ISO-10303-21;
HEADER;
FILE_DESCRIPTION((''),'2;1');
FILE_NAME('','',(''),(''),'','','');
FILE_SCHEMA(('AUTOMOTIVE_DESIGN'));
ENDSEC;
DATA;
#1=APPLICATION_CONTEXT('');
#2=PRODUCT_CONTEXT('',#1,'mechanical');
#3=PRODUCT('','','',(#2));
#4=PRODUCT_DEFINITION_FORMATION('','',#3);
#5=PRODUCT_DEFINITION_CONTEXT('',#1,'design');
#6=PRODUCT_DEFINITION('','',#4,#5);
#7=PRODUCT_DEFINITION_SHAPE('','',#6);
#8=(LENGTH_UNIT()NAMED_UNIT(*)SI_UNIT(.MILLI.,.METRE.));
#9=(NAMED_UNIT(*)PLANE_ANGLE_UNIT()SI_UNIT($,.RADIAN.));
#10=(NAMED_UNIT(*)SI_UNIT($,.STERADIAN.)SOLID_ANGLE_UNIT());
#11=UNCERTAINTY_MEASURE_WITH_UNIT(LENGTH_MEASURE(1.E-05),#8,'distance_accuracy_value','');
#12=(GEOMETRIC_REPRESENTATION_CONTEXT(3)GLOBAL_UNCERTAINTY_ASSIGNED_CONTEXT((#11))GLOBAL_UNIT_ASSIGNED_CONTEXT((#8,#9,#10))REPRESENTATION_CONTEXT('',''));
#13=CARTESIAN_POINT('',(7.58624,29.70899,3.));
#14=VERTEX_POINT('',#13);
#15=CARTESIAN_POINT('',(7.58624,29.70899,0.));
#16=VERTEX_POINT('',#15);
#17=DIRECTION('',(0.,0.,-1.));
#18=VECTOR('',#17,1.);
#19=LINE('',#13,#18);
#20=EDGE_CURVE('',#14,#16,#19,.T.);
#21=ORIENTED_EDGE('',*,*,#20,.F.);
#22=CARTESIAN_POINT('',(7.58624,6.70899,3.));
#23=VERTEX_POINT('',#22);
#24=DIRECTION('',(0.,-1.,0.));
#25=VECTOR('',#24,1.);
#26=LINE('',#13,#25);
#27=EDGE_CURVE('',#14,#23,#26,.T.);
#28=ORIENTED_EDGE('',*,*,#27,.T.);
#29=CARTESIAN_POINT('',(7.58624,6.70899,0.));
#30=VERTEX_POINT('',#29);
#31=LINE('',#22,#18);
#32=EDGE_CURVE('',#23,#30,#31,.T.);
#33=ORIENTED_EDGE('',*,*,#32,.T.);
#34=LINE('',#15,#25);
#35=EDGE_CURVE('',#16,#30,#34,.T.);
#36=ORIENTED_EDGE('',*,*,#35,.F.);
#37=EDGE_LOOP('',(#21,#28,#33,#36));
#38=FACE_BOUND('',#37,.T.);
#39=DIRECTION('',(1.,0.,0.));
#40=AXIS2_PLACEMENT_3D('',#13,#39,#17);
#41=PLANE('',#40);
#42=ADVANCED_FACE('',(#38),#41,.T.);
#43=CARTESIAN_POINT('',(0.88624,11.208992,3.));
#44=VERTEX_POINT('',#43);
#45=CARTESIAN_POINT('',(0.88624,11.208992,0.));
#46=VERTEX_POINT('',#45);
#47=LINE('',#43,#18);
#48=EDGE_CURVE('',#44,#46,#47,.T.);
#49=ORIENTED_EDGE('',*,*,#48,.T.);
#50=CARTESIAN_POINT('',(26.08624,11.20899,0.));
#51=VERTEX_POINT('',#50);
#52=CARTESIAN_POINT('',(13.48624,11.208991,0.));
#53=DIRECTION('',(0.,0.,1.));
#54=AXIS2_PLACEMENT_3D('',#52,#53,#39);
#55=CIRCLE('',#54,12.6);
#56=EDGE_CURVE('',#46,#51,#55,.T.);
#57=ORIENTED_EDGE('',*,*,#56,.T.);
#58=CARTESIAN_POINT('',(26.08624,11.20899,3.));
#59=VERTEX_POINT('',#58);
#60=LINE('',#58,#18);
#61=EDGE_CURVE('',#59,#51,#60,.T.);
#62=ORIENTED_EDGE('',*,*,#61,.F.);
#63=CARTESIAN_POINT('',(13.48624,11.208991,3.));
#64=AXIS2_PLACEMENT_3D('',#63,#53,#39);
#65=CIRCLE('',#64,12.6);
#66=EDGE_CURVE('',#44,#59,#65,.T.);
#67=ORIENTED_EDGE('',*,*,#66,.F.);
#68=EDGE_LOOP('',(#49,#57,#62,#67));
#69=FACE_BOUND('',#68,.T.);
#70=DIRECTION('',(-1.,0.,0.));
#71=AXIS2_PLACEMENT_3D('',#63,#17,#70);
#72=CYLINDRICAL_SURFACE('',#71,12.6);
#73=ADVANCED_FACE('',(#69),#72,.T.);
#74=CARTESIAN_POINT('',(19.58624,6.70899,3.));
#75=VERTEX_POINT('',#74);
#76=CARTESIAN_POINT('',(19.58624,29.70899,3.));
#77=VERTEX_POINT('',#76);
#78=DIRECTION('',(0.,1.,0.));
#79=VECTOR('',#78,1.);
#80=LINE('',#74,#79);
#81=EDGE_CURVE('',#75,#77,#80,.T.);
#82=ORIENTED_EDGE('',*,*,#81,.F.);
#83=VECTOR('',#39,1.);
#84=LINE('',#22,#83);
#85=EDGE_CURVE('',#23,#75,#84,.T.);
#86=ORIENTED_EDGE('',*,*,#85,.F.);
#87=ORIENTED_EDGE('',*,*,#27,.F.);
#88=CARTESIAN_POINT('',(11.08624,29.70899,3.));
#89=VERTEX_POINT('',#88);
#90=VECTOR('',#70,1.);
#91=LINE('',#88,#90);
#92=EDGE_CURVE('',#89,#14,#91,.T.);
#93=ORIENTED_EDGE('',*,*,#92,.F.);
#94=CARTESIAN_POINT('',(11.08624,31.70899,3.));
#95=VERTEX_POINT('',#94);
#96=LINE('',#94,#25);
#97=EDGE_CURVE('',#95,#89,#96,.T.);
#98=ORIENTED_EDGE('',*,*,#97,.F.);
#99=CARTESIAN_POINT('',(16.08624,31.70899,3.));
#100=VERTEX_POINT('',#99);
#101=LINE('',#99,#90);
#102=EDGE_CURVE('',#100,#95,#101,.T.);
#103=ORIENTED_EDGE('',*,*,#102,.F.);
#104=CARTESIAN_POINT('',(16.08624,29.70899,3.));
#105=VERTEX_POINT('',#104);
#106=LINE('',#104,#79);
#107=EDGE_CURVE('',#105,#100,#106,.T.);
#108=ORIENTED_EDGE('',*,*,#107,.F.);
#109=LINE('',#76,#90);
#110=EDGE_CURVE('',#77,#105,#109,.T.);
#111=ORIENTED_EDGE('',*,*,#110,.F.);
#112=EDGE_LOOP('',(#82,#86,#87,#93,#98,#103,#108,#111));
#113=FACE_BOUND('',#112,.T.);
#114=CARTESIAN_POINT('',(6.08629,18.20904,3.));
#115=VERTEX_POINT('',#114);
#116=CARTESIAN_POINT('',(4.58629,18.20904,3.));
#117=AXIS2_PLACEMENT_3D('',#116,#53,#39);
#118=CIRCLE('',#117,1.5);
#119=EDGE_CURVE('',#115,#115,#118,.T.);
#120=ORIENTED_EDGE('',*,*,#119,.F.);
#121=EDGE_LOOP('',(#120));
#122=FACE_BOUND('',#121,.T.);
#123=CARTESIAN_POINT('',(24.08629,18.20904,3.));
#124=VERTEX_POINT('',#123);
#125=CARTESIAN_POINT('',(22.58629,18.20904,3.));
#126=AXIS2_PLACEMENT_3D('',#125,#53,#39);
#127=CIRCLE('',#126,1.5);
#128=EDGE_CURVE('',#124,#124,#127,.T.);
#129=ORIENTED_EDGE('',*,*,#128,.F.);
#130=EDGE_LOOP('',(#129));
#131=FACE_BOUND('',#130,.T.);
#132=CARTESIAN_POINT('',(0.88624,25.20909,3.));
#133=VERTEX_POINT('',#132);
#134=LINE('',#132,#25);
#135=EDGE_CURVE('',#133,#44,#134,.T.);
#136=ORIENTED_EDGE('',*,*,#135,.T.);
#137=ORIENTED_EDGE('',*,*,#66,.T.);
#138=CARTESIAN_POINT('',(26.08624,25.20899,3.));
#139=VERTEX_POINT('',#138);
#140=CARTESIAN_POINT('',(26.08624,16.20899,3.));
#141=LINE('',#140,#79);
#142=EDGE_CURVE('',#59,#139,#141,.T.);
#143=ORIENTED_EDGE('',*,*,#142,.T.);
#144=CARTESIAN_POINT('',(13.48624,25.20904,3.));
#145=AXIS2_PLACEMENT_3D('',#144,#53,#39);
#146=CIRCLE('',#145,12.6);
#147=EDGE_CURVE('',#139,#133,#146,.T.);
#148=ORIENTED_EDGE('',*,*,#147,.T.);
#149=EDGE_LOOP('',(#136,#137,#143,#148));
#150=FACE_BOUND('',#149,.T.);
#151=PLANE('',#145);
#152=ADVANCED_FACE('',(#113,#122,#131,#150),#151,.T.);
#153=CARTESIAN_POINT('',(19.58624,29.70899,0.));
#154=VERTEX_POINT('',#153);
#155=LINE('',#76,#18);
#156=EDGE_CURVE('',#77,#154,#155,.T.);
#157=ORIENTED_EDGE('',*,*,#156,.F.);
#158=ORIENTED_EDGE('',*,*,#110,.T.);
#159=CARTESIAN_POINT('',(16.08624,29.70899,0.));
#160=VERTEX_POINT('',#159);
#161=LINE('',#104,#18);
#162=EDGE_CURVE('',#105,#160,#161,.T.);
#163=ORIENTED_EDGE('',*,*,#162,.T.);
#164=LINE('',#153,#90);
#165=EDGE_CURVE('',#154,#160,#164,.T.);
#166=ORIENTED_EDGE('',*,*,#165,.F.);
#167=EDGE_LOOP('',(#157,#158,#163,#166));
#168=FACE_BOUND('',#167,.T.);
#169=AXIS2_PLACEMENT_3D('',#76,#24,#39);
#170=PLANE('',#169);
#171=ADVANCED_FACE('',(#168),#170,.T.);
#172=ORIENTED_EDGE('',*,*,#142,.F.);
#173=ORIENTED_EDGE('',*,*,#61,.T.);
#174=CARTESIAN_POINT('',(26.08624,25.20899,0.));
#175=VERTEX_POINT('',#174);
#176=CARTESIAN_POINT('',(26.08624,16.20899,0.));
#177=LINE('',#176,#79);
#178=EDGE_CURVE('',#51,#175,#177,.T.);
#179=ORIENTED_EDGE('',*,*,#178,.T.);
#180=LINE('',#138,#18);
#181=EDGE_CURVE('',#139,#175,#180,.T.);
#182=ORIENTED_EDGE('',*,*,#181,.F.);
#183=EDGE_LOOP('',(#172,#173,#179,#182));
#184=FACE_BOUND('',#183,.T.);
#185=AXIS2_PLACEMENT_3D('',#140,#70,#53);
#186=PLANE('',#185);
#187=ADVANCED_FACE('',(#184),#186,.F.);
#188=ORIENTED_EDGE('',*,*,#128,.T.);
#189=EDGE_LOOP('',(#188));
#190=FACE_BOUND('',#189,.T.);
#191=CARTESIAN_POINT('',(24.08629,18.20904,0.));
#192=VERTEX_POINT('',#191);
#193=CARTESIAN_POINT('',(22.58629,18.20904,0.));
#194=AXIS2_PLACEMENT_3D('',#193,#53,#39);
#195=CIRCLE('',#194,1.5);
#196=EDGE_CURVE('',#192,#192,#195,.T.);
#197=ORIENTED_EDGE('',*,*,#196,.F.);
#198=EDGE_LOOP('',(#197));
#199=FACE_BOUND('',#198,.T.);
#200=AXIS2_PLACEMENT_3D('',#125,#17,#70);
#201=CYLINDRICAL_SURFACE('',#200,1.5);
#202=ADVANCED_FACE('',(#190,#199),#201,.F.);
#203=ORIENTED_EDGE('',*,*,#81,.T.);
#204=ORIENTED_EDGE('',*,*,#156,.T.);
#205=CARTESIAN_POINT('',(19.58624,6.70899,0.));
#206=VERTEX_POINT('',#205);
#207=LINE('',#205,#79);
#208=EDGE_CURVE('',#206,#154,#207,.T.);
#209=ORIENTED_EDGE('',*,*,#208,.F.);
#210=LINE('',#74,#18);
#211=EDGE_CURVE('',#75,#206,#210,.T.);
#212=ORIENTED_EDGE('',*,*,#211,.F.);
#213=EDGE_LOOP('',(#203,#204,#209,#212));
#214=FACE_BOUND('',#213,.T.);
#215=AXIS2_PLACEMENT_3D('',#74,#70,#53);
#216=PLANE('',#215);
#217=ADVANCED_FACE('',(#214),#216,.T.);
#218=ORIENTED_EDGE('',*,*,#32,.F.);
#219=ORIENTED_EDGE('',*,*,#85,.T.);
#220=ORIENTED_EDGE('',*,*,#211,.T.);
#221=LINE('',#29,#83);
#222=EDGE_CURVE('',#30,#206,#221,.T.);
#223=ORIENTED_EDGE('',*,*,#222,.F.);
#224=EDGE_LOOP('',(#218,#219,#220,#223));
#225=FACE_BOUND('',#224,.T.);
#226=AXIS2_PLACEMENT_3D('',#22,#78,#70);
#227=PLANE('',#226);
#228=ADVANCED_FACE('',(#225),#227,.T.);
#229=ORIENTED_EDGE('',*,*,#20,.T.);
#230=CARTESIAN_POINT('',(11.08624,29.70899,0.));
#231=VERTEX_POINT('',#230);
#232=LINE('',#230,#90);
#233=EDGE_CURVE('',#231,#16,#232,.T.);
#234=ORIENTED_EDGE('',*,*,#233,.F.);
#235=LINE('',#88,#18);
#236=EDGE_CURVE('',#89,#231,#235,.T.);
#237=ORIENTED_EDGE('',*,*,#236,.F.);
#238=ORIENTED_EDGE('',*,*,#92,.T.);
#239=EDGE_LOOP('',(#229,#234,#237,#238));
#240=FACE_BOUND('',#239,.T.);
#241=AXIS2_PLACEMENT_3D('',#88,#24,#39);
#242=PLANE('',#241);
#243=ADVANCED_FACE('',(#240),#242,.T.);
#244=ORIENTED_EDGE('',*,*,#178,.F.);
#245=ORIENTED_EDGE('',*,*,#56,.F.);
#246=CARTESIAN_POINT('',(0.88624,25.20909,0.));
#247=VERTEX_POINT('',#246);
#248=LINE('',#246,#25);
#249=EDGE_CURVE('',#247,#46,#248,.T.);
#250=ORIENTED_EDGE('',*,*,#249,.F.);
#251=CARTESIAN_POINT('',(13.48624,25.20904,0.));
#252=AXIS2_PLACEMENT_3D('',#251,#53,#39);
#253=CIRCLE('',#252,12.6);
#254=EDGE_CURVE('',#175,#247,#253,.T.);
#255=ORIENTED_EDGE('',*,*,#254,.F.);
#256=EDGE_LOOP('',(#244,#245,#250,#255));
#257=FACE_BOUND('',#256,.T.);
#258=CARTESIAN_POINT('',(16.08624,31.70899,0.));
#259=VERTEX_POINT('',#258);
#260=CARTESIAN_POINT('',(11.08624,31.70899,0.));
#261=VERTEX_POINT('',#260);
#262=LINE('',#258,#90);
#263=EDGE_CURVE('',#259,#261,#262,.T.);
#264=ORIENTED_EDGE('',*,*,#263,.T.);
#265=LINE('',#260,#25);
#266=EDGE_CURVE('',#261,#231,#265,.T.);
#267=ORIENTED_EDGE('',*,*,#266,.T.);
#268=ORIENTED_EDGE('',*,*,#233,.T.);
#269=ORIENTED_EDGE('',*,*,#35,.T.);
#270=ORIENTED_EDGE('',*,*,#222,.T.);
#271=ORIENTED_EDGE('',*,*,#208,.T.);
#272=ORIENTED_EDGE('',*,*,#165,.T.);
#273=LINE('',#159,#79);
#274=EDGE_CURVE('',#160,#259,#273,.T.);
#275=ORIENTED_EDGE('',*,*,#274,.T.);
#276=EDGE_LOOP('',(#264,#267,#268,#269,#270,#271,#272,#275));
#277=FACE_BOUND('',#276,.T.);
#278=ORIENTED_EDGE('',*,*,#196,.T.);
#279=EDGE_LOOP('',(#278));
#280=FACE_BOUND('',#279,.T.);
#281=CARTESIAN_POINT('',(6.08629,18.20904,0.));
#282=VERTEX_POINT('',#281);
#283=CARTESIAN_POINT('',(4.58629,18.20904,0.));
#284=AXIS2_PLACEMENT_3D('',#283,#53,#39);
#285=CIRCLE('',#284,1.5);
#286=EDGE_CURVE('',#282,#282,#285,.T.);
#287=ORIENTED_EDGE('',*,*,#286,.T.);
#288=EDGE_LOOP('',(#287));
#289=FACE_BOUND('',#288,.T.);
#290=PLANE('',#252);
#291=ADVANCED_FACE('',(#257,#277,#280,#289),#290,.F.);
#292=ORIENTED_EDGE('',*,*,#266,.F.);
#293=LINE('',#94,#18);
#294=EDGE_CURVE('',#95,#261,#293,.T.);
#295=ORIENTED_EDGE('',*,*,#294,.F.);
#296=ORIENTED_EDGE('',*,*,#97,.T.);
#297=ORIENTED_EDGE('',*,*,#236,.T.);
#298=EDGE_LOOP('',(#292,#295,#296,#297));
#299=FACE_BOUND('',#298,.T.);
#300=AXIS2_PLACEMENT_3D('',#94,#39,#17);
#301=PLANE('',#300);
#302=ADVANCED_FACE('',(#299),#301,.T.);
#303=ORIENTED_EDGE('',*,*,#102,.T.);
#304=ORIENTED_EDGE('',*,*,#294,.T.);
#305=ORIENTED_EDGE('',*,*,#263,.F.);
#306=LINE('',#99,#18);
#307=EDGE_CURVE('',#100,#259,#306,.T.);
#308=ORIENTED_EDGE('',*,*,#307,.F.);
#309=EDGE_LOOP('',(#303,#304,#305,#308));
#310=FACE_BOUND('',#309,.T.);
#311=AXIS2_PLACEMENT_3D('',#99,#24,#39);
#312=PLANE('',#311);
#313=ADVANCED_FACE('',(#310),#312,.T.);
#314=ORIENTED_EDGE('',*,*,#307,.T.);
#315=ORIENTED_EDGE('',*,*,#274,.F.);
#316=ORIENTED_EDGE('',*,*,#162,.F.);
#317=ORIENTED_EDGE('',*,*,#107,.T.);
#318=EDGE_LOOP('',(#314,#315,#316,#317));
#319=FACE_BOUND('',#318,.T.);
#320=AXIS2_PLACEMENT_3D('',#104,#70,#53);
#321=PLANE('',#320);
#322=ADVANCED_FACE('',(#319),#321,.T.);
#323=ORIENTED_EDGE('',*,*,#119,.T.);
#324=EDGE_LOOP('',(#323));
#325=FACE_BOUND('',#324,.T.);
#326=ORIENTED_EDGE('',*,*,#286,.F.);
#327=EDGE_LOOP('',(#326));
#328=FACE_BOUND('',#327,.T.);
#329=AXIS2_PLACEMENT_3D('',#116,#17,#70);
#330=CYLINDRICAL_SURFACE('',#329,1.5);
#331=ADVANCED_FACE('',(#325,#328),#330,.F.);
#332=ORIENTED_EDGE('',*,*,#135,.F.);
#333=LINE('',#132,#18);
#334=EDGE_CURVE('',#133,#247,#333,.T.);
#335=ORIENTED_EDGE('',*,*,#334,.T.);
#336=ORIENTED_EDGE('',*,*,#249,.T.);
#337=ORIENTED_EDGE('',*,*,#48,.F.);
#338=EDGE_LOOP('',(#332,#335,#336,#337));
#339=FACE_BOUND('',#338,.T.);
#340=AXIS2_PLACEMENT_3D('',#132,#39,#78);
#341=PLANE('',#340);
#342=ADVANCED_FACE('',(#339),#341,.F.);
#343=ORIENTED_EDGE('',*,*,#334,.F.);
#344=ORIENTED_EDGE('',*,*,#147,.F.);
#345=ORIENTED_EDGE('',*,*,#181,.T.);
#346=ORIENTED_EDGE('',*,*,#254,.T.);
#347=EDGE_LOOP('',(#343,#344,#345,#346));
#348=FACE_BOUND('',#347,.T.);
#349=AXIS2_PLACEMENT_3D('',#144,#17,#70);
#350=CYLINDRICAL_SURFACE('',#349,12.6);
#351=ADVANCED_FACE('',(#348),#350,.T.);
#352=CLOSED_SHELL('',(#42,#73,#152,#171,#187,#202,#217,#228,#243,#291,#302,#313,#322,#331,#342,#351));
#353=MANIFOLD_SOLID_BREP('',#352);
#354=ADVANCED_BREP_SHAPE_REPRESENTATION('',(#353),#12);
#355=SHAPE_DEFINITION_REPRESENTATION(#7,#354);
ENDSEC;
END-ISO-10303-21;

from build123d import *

# Parameters (mm, degrees)
MODEL_R             = 1.5
BOSS_EXTRUDE1_DEPTH = 3


with BuildPart() as part:
    # Model → Boss-Extrude1 (new body)
    with BuildSketch(Plane.XY):
        with BuildLine():
            Line((0.88624, 25.209089561), (0.88624, 11.208991882))
            ThreePointArc((0.88624, 11.208991882), (13.486238839, -1.391009279), (26.08624, 11.20898956))
            Line((26.08624, 11.20898956), (26.08624, 16.208989561))
            Line((26.08624, 16.208989561), (26.08624, 25.208989561))
            ThreePointArc((26.08624, 25.208989561), (13.48629, 37.809039561), (0.88624, 25.209089561))
        make_face()
        with Locations((4.586289997, 18.209039557)):
            Circle(MODEL_R, mode=Mode.SUBTRACT)
        with Locations((22.586289997, 18.209039557)):
            Circle(MODEL_R, mode=Mode.SUBTRACT)
        Polygon((19.58624, 6.708989561), (19.58624, 29.708989561), (16.08624, 29.708989561), (16.08624, 31.708989561), (11.08624, 31.708989561), (11.08624, 29.708989561), (7.58624, 29.708989561), (7.58624, 6.708989561), align=None, mode=Mode.SUBTRACT)
    extrude(amount=BOSS_EXTRUDE1_DEPTH)


solid = part.part
